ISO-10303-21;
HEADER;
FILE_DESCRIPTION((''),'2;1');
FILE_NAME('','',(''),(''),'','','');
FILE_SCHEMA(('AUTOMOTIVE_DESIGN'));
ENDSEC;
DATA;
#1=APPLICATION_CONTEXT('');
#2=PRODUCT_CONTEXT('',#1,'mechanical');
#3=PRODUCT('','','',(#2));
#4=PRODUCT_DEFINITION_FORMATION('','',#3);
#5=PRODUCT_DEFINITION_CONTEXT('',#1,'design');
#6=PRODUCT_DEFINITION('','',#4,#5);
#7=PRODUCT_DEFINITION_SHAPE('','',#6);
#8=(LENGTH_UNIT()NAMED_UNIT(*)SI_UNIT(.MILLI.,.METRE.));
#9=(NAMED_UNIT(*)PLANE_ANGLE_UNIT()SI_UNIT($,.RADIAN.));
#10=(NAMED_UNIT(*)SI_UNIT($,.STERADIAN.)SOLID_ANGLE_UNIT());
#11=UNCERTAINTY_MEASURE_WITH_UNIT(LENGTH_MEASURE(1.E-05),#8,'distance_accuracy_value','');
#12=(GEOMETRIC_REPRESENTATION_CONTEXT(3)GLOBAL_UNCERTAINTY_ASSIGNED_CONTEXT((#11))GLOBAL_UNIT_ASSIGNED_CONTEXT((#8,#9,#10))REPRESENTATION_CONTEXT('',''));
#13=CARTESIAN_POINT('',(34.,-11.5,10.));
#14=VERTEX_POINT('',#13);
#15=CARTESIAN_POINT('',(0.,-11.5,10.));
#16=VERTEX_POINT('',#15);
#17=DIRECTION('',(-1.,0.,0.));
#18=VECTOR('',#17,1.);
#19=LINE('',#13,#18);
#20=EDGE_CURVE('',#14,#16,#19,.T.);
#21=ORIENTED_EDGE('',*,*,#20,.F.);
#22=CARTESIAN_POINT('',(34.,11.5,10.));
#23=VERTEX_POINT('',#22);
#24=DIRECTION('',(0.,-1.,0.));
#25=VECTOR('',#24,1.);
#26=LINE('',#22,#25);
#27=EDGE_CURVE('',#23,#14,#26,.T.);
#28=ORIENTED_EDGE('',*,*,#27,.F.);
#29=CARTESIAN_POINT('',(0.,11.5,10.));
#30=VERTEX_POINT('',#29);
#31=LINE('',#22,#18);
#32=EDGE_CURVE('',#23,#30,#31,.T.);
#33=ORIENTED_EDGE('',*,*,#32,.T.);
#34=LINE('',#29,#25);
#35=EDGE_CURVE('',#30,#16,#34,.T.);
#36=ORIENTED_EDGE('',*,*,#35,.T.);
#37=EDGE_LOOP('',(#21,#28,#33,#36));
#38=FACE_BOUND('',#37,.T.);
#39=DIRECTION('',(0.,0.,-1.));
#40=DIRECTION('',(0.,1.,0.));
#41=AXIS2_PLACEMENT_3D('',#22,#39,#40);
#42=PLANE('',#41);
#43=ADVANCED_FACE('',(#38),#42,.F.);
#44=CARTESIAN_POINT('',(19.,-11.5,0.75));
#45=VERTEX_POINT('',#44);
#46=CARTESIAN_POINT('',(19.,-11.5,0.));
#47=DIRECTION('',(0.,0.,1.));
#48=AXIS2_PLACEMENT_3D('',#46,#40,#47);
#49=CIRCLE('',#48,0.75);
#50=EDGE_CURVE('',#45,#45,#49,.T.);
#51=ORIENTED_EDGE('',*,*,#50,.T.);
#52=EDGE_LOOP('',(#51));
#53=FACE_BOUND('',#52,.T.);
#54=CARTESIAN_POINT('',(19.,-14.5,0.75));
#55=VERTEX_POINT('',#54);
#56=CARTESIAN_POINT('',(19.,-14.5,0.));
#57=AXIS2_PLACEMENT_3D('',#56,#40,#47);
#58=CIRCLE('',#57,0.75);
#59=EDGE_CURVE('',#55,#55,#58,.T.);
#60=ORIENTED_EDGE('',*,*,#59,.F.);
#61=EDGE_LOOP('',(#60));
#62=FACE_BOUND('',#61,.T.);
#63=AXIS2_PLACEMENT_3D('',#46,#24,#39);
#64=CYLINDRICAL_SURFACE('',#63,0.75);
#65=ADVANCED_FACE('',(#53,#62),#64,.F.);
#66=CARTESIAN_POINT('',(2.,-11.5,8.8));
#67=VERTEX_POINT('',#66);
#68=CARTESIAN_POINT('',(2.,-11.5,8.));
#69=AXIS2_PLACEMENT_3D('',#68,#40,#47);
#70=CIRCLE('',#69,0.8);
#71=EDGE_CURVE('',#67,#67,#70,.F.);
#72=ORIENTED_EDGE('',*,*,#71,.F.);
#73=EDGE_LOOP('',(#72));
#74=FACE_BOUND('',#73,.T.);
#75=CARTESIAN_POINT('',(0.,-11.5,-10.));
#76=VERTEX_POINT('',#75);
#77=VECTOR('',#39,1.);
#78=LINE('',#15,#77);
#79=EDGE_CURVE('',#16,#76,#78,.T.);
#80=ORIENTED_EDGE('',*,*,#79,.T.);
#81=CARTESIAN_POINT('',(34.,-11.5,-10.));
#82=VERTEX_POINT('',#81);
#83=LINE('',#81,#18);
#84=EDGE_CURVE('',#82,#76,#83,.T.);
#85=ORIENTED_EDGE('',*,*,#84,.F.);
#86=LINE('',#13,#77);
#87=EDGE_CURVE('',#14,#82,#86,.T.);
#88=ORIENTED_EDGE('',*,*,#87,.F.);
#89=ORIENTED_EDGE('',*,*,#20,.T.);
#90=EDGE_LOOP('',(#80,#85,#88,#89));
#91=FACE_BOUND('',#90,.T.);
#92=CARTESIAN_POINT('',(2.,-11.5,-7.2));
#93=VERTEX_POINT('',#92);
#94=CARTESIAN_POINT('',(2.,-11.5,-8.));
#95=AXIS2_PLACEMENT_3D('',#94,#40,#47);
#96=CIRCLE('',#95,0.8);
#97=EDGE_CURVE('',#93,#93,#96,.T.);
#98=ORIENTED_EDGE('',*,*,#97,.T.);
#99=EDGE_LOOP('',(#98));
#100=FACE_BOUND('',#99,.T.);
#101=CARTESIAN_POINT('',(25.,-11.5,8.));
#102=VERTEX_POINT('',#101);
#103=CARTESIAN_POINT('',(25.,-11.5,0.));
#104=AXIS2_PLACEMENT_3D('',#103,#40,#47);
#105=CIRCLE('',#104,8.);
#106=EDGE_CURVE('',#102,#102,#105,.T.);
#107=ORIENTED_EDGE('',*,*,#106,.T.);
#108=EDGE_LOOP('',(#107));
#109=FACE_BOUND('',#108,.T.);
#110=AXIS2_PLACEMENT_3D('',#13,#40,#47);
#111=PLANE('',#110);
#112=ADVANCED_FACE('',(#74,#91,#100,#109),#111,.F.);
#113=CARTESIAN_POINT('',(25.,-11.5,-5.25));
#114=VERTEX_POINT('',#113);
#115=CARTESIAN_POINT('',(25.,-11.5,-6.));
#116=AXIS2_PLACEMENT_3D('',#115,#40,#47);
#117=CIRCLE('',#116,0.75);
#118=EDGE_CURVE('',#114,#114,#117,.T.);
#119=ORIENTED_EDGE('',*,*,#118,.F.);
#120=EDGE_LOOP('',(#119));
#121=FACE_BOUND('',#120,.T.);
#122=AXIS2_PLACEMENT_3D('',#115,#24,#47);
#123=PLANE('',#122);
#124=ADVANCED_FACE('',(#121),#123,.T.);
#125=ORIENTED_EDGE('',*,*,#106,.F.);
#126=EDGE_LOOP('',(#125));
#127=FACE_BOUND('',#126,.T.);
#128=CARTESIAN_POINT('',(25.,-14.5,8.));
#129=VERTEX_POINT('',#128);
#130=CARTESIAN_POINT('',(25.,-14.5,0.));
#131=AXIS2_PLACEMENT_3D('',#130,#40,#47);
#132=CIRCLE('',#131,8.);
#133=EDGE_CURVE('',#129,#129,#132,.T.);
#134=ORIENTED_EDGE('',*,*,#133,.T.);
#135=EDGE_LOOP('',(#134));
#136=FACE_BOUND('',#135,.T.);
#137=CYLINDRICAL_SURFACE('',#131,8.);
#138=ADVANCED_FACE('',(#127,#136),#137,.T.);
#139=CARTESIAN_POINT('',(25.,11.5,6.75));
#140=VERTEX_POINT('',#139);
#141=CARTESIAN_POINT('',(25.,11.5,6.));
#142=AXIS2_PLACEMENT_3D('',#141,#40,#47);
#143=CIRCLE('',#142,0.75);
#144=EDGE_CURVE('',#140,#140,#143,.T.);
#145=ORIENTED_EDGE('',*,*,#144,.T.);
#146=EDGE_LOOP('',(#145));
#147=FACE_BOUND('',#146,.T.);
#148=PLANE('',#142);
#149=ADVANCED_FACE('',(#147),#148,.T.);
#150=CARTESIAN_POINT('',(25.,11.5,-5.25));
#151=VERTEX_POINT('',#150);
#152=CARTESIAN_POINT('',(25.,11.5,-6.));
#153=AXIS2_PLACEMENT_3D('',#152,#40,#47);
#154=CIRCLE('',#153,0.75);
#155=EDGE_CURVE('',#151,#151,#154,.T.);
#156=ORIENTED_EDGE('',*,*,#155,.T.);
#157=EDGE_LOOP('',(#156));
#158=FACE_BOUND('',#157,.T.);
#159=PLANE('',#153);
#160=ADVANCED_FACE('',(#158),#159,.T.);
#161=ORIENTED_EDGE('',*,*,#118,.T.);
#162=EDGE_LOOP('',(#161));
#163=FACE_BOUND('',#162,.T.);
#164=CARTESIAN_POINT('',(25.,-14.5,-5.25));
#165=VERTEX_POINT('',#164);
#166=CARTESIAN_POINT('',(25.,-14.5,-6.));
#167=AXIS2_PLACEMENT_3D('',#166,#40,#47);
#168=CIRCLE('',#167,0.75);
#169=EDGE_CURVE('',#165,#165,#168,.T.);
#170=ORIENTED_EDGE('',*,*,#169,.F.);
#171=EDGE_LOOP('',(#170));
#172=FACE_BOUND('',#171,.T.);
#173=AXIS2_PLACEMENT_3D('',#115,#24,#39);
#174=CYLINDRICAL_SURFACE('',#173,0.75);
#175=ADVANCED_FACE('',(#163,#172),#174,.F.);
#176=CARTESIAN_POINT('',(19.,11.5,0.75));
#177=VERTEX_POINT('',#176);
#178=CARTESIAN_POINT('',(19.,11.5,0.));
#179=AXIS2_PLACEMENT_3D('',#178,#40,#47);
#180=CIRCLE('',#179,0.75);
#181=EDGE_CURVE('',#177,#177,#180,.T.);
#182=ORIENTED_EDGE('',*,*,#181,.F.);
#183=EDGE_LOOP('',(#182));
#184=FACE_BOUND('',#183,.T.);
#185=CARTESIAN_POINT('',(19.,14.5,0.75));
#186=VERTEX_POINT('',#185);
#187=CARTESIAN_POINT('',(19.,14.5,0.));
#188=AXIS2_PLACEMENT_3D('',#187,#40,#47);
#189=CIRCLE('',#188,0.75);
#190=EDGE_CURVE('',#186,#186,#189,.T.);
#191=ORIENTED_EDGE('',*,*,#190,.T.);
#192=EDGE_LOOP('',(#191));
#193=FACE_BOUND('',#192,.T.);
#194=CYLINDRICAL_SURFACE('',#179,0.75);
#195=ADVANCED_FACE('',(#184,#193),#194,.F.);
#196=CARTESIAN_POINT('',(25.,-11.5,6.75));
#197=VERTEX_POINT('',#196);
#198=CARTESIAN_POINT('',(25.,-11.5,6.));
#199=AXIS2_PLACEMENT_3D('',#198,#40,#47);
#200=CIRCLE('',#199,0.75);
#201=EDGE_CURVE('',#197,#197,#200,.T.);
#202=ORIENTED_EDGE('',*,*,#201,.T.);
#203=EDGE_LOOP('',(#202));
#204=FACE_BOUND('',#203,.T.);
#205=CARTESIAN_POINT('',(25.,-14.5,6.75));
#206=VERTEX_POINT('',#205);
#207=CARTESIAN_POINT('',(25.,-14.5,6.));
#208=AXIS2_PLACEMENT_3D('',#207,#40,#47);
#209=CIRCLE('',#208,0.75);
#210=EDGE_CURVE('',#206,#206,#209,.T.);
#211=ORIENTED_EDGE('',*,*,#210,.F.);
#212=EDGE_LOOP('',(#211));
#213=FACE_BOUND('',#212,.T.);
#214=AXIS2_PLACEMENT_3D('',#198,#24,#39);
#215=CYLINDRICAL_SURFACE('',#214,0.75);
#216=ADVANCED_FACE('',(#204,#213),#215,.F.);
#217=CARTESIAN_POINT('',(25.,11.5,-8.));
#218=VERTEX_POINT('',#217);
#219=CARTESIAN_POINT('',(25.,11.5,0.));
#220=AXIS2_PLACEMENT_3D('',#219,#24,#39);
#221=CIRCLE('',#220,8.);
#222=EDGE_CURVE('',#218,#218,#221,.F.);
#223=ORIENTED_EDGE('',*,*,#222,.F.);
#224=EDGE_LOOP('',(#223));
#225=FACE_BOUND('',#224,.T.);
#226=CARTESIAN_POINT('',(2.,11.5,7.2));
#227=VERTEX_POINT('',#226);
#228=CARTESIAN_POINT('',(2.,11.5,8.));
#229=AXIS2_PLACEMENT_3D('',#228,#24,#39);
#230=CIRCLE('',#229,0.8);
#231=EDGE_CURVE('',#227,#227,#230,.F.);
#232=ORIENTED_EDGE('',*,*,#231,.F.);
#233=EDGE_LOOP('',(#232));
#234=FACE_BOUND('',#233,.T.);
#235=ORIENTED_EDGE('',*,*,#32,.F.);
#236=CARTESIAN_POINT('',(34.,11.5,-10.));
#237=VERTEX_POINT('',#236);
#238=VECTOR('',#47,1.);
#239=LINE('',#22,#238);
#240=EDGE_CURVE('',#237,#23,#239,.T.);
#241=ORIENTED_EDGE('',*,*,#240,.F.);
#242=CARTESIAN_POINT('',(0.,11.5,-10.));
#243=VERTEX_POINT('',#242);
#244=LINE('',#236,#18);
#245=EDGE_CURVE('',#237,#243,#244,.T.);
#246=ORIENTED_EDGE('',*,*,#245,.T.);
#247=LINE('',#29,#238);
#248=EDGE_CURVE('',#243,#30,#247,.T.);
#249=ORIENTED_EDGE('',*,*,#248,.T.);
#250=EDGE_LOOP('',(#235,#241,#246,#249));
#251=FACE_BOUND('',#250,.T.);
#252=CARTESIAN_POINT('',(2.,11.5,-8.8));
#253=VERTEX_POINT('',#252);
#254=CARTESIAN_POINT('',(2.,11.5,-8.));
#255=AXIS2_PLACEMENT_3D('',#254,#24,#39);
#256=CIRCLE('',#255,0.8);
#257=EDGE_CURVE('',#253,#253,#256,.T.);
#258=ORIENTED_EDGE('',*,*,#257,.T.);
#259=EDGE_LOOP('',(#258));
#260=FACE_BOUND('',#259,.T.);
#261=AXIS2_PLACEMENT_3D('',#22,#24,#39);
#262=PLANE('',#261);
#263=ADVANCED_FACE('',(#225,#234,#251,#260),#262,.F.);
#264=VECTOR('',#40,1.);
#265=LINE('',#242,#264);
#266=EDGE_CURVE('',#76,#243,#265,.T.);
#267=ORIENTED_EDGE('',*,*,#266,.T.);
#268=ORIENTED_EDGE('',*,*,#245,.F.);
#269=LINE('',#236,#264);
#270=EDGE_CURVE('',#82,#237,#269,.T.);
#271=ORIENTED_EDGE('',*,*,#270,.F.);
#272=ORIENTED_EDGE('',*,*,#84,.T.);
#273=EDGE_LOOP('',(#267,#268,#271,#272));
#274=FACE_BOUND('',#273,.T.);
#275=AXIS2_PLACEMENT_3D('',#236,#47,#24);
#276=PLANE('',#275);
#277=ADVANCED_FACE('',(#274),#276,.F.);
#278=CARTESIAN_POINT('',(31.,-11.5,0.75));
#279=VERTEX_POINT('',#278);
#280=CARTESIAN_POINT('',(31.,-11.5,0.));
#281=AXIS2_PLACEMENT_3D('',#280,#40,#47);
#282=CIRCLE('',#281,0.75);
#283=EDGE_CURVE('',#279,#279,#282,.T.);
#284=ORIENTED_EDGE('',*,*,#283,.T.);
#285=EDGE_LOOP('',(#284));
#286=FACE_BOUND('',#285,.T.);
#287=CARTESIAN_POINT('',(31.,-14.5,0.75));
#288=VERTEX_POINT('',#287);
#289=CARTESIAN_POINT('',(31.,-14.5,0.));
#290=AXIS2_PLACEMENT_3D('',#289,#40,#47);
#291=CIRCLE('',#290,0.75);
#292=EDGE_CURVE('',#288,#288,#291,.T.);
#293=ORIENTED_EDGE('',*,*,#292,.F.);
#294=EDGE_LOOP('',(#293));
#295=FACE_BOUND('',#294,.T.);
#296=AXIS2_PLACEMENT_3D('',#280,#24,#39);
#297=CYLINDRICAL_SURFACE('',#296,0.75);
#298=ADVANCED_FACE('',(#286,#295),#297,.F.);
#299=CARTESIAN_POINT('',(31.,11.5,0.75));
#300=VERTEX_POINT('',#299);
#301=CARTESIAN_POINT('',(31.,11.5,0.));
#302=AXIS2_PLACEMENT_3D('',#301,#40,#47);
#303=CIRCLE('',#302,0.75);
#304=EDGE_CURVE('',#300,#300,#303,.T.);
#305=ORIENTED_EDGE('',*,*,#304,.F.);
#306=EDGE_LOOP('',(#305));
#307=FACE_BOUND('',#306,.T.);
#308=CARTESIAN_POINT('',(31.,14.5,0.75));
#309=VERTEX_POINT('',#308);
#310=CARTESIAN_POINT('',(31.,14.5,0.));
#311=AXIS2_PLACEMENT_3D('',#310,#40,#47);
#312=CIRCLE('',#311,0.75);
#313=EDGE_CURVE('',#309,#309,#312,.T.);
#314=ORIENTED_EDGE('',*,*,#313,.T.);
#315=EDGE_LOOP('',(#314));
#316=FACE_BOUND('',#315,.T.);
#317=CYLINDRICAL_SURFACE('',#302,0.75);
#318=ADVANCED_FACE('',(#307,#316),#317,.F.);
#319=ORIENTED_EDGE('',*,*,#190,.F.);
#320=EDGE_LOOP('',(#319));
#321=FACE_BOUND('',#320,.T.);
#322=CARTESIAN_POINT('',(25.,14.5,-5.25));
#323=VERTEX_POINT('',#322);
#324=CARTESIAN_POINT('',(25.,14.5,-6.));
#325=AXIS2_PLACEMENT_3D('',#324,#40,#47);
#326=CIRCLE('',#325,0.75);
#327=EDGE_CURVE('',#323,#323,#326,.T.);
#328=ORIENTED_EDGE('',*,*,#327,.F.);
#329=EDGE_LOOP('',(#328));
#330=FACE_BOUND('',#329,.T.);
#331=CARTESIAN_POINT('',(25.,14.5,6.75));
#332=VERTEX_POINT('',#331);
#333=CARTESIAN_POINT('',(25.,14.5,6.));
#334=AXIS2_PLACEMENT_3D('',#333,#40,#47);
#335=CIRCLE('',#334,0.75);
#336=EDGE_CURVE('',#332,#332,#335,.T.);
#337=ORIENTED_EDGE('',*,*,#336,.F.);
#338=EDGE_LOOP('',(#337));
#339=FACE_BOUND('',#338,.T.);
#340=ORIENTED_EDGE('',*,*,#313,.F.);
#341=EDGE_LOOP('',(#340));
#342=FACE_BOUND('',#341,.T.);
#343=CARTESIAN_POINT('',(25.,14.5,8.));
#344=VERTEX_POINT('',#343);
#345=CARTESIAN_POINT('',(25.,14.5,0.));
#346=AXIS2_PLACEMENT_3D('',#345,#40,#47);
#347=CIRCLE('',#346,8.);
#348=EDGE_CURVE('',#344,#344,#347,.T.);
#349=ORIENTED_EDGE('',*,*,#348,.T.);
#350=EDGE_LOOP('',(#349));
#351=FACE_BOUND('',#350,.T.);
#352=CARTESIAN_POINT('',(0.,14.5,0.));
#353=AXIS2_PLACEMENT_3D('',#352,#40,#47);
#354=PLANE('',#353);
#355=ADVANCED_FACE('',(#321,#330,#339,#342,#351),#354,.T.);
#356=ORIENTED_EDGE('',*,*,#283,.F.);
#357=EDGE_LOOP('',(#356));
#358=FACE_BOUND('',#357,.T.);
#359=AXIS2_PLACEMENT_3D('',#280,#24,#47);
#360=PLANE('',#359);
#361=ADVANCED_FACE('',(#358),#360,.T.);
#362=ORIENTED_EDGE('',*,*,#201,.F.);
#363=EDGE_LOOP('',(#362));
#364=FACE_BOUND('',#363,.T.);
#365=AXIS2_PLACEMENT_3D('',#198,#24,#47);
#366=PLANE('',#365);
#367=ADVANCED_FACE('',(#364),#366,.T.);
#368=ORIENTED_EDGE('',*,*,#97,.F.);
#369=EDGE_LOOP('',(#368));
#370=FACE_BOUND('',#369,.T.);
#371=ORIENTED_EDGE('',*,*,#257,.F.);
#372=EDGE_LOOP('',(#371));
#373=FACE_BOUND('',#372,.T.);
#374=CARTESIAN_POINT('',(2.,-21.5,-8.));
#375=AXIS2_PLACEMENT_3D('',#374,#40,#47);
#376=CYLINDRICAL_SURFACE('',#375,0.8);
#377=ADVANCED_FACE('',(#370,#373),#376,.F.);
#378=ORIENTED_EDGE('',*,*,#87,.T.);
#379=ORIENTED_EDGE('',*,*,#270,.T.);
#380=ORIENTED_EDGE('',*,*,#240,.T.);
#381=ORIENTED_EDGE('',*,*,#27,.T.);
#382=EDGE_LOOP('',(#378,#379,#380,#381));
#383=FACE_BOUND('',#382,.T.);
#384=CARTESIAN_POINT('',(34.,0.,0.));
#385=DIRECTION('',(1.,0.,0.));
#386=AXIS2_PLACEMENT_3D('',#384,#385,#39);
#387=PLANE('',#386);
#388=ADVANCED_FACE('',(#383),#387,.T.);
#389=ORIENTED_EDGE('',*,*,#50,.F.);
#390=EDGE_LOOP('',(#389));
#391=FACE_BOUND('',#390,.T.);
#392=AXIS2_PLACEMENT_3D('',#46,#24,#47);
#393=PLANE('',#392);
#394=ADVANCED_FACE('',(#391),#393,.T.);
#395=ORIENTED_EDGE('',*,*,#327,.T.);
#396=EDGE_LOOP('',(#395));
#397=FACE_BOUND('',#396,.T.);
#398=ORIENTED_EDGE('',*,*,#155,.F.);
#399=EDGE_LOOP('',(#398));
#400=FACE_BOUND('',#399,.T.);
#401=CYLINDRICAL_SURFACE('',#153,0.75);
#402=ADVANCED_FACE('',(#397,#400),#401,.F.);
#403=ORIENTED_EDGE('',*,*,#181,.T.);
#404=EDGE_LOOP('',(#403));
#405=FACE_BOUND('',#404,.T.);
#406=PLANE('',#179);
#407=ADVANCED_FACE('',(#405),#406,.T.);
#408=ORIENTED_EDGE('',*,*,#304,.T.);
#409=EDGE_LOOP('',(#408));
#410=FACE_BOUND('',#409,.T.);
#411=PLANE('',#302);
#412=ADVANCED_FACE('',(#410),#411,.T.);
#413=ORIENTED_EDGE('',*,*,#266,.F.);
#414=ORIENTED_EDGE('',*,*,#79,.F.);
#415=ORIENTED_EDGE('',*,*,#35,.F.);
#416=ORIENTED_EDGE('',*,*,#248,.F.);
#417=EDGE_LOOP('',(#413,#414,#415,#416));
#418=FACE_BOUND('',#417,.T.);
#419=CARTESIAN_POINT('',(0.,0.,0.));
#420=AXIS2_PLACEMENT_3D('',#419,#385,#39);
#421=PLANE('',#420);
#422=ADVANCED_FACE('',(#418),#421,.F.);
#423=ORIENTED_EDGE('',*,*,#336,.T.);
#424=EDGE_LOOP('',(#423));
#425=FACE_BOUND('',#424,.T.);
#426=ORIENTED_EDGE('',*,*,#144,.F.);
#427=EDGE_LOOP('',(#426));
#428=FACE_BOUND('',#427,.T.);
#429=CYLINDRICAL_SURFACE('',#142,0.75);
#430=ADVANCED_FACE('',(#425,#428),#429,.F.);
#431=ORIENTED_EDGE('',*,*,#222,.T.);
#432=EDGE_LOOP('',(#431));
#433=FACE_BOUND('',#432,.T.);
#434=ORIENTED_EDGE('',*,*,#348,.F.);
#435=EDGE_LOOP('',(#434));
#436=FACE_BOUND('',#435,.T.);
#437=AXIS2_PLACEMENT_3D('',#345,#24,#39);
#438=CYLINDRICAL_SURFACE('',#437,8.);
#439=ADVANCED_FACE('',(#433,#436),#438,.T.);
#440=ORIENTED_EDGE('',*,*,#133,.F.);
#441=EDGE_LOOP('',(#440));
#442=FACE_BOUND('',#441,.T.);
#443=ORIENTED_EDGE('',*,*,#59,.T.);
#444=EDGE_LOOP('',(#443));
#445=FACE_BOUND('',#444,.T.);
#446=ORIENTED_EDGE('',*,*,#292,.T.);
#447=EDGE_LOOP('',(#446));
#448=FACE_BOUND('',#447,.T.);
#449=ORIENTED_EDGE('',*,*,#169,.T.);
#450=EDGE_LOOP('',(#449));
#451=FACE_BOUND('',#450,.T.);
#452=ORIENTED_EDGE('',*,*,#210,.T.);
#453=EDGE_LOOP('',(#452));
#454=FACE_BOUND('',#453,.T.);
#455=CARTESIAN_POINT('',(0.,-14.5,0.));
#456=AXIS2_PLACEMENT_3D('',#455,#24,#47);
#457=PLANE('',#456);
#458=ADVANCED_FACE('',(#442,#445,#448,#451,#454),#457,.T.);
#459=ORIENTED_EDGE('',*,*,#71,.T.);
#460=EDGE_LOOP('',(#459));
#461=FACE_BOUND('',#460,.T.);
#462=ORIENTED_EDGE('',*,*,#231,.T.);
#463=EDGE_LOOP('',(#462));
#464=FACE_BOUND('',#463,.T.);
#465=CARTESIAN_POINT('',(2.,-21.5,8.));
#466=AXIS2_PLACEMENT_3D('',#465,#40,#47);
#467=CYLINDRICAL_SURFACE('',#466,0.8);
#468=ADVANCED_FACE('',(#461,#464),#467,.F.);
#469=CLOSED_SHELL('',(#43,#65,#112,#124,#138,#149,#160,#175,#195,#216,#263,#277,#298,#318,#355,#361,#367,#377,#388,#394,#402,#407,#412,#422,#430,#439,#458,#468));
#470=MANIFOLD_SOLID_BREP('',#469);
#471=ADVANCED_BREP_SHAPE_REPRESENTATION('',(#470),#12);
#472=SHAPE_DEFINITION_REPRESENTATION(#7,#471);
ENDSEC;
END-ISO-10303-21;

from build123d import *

# Parameters (mm, degrees)
SKETCH_1_W               = 20
SKETCH_1_H               = 23
EXTRUDE_1_DEPTH          = 34
CUT_EXTRUDE_1_DEPTH      = 10
CUT_EXTRUDE_1_DEPTH_BACK = 34
SKETCH_2_R               = 0.8
SKETCH_3_R               = 8
EXTRUDE_2_DEPTH          = 3
SKETCH_4_R               = 0.75
CUT_EXTRUDE_2_DEPTH      = 3


with BuildPart() as part:
    # 草图1 → 凸台-拉伸1 (new body)
    with BuildSketch(Plane(origin=(0, 0, 0), x_dir=(0, 0, -1), z_dir=(1, 0, 0))):
        Rectangle(SKETCH_1_W, SKETCH_1_H)
    extrude(amount=EXTRUDE_1_DEPTH)

    # 草图2 → 切除-拉伸1 (cut, two sides: drawn at the far end of the back side and taken through both)
    with BuildSketch(Plane(origin=(0, -11.5, 0), x_dir=(-1, 0, 0), z_dir=(0, -1, 0)).offset(-CUT_EXTRUDE_1_DEPTH_BACK)):
        with Locations(Location((-2, -8, 0), (0, 0, 270))):
            Circle(SKETCH_2_R)
        with Locations(Location((-2, 8, 0), (0, 0, 270))):
            Circle(SKETCH_2_R)
    extrude(amount=CUT_EXTRUDE_1_DEPTH + CUT_EXTRUDE_1_DEPTH_BACK, mode=Mode.SUBTRACT)

    # 草图3 → 凸台-拉伸2 (add)
    with BuildSketch(Plane(origin=(0, 11.5, 0), x_dir=(1, 0, 0), z_dir=(0, 1, 0))):
        with Locations(Location((25, 0, 0), (0, 0, 90))):
            Circle(SKETCH_3_R)
    extrude_2 = extrude(amount=EXTRUDE_2_DEPTH)

    # 镜向1: 凸台-拉伸2 across plane
    add(extrude_2.mirror(Plane.ZX))

    # 草图4 → 切除-拉伸2 (cut)
    with BuildSketch(Plane(origin=(0, 14.5, 0), x_dir=(1, 0, 0), z_dir=(0, 1, 0))):
        with Locations(Location((25, -6, 0), (0, 0, 270))):
            Circle(SKETCH_4_R)
        with Locations((45.5, 14.5)):
            Circle(SKETCH_4_R)
        with Locations((25, 35)):
            Circle(SKETCH_4_R)
        with Locations((4.5, 14.5)):
            Circle(SKETCH_4_R)
        with Locations(Location((19, 0, 0), (0, 0, 270))):
            Circle(SKETCH_4_R)
        with Locations(Location((25, 6, 0), (0, 0, 270))):
            Circle(SKETCH_4_R)
        with Locations(Location((31, 0, 0), (0, 0, 270))):
            Circle(SKETCH_4_R)
    cut_extrude_2 = extrude(amount=-CUT_EXTRUDE_2_DEPTH, mode=Mode.SUBTRACT)

    # 镜向2: 切除-拉伸2 across plane
    add(cut_extrude_2.mirror(Plane.ZX), mode=Mode.SUBTRACT)


solid = part.part
